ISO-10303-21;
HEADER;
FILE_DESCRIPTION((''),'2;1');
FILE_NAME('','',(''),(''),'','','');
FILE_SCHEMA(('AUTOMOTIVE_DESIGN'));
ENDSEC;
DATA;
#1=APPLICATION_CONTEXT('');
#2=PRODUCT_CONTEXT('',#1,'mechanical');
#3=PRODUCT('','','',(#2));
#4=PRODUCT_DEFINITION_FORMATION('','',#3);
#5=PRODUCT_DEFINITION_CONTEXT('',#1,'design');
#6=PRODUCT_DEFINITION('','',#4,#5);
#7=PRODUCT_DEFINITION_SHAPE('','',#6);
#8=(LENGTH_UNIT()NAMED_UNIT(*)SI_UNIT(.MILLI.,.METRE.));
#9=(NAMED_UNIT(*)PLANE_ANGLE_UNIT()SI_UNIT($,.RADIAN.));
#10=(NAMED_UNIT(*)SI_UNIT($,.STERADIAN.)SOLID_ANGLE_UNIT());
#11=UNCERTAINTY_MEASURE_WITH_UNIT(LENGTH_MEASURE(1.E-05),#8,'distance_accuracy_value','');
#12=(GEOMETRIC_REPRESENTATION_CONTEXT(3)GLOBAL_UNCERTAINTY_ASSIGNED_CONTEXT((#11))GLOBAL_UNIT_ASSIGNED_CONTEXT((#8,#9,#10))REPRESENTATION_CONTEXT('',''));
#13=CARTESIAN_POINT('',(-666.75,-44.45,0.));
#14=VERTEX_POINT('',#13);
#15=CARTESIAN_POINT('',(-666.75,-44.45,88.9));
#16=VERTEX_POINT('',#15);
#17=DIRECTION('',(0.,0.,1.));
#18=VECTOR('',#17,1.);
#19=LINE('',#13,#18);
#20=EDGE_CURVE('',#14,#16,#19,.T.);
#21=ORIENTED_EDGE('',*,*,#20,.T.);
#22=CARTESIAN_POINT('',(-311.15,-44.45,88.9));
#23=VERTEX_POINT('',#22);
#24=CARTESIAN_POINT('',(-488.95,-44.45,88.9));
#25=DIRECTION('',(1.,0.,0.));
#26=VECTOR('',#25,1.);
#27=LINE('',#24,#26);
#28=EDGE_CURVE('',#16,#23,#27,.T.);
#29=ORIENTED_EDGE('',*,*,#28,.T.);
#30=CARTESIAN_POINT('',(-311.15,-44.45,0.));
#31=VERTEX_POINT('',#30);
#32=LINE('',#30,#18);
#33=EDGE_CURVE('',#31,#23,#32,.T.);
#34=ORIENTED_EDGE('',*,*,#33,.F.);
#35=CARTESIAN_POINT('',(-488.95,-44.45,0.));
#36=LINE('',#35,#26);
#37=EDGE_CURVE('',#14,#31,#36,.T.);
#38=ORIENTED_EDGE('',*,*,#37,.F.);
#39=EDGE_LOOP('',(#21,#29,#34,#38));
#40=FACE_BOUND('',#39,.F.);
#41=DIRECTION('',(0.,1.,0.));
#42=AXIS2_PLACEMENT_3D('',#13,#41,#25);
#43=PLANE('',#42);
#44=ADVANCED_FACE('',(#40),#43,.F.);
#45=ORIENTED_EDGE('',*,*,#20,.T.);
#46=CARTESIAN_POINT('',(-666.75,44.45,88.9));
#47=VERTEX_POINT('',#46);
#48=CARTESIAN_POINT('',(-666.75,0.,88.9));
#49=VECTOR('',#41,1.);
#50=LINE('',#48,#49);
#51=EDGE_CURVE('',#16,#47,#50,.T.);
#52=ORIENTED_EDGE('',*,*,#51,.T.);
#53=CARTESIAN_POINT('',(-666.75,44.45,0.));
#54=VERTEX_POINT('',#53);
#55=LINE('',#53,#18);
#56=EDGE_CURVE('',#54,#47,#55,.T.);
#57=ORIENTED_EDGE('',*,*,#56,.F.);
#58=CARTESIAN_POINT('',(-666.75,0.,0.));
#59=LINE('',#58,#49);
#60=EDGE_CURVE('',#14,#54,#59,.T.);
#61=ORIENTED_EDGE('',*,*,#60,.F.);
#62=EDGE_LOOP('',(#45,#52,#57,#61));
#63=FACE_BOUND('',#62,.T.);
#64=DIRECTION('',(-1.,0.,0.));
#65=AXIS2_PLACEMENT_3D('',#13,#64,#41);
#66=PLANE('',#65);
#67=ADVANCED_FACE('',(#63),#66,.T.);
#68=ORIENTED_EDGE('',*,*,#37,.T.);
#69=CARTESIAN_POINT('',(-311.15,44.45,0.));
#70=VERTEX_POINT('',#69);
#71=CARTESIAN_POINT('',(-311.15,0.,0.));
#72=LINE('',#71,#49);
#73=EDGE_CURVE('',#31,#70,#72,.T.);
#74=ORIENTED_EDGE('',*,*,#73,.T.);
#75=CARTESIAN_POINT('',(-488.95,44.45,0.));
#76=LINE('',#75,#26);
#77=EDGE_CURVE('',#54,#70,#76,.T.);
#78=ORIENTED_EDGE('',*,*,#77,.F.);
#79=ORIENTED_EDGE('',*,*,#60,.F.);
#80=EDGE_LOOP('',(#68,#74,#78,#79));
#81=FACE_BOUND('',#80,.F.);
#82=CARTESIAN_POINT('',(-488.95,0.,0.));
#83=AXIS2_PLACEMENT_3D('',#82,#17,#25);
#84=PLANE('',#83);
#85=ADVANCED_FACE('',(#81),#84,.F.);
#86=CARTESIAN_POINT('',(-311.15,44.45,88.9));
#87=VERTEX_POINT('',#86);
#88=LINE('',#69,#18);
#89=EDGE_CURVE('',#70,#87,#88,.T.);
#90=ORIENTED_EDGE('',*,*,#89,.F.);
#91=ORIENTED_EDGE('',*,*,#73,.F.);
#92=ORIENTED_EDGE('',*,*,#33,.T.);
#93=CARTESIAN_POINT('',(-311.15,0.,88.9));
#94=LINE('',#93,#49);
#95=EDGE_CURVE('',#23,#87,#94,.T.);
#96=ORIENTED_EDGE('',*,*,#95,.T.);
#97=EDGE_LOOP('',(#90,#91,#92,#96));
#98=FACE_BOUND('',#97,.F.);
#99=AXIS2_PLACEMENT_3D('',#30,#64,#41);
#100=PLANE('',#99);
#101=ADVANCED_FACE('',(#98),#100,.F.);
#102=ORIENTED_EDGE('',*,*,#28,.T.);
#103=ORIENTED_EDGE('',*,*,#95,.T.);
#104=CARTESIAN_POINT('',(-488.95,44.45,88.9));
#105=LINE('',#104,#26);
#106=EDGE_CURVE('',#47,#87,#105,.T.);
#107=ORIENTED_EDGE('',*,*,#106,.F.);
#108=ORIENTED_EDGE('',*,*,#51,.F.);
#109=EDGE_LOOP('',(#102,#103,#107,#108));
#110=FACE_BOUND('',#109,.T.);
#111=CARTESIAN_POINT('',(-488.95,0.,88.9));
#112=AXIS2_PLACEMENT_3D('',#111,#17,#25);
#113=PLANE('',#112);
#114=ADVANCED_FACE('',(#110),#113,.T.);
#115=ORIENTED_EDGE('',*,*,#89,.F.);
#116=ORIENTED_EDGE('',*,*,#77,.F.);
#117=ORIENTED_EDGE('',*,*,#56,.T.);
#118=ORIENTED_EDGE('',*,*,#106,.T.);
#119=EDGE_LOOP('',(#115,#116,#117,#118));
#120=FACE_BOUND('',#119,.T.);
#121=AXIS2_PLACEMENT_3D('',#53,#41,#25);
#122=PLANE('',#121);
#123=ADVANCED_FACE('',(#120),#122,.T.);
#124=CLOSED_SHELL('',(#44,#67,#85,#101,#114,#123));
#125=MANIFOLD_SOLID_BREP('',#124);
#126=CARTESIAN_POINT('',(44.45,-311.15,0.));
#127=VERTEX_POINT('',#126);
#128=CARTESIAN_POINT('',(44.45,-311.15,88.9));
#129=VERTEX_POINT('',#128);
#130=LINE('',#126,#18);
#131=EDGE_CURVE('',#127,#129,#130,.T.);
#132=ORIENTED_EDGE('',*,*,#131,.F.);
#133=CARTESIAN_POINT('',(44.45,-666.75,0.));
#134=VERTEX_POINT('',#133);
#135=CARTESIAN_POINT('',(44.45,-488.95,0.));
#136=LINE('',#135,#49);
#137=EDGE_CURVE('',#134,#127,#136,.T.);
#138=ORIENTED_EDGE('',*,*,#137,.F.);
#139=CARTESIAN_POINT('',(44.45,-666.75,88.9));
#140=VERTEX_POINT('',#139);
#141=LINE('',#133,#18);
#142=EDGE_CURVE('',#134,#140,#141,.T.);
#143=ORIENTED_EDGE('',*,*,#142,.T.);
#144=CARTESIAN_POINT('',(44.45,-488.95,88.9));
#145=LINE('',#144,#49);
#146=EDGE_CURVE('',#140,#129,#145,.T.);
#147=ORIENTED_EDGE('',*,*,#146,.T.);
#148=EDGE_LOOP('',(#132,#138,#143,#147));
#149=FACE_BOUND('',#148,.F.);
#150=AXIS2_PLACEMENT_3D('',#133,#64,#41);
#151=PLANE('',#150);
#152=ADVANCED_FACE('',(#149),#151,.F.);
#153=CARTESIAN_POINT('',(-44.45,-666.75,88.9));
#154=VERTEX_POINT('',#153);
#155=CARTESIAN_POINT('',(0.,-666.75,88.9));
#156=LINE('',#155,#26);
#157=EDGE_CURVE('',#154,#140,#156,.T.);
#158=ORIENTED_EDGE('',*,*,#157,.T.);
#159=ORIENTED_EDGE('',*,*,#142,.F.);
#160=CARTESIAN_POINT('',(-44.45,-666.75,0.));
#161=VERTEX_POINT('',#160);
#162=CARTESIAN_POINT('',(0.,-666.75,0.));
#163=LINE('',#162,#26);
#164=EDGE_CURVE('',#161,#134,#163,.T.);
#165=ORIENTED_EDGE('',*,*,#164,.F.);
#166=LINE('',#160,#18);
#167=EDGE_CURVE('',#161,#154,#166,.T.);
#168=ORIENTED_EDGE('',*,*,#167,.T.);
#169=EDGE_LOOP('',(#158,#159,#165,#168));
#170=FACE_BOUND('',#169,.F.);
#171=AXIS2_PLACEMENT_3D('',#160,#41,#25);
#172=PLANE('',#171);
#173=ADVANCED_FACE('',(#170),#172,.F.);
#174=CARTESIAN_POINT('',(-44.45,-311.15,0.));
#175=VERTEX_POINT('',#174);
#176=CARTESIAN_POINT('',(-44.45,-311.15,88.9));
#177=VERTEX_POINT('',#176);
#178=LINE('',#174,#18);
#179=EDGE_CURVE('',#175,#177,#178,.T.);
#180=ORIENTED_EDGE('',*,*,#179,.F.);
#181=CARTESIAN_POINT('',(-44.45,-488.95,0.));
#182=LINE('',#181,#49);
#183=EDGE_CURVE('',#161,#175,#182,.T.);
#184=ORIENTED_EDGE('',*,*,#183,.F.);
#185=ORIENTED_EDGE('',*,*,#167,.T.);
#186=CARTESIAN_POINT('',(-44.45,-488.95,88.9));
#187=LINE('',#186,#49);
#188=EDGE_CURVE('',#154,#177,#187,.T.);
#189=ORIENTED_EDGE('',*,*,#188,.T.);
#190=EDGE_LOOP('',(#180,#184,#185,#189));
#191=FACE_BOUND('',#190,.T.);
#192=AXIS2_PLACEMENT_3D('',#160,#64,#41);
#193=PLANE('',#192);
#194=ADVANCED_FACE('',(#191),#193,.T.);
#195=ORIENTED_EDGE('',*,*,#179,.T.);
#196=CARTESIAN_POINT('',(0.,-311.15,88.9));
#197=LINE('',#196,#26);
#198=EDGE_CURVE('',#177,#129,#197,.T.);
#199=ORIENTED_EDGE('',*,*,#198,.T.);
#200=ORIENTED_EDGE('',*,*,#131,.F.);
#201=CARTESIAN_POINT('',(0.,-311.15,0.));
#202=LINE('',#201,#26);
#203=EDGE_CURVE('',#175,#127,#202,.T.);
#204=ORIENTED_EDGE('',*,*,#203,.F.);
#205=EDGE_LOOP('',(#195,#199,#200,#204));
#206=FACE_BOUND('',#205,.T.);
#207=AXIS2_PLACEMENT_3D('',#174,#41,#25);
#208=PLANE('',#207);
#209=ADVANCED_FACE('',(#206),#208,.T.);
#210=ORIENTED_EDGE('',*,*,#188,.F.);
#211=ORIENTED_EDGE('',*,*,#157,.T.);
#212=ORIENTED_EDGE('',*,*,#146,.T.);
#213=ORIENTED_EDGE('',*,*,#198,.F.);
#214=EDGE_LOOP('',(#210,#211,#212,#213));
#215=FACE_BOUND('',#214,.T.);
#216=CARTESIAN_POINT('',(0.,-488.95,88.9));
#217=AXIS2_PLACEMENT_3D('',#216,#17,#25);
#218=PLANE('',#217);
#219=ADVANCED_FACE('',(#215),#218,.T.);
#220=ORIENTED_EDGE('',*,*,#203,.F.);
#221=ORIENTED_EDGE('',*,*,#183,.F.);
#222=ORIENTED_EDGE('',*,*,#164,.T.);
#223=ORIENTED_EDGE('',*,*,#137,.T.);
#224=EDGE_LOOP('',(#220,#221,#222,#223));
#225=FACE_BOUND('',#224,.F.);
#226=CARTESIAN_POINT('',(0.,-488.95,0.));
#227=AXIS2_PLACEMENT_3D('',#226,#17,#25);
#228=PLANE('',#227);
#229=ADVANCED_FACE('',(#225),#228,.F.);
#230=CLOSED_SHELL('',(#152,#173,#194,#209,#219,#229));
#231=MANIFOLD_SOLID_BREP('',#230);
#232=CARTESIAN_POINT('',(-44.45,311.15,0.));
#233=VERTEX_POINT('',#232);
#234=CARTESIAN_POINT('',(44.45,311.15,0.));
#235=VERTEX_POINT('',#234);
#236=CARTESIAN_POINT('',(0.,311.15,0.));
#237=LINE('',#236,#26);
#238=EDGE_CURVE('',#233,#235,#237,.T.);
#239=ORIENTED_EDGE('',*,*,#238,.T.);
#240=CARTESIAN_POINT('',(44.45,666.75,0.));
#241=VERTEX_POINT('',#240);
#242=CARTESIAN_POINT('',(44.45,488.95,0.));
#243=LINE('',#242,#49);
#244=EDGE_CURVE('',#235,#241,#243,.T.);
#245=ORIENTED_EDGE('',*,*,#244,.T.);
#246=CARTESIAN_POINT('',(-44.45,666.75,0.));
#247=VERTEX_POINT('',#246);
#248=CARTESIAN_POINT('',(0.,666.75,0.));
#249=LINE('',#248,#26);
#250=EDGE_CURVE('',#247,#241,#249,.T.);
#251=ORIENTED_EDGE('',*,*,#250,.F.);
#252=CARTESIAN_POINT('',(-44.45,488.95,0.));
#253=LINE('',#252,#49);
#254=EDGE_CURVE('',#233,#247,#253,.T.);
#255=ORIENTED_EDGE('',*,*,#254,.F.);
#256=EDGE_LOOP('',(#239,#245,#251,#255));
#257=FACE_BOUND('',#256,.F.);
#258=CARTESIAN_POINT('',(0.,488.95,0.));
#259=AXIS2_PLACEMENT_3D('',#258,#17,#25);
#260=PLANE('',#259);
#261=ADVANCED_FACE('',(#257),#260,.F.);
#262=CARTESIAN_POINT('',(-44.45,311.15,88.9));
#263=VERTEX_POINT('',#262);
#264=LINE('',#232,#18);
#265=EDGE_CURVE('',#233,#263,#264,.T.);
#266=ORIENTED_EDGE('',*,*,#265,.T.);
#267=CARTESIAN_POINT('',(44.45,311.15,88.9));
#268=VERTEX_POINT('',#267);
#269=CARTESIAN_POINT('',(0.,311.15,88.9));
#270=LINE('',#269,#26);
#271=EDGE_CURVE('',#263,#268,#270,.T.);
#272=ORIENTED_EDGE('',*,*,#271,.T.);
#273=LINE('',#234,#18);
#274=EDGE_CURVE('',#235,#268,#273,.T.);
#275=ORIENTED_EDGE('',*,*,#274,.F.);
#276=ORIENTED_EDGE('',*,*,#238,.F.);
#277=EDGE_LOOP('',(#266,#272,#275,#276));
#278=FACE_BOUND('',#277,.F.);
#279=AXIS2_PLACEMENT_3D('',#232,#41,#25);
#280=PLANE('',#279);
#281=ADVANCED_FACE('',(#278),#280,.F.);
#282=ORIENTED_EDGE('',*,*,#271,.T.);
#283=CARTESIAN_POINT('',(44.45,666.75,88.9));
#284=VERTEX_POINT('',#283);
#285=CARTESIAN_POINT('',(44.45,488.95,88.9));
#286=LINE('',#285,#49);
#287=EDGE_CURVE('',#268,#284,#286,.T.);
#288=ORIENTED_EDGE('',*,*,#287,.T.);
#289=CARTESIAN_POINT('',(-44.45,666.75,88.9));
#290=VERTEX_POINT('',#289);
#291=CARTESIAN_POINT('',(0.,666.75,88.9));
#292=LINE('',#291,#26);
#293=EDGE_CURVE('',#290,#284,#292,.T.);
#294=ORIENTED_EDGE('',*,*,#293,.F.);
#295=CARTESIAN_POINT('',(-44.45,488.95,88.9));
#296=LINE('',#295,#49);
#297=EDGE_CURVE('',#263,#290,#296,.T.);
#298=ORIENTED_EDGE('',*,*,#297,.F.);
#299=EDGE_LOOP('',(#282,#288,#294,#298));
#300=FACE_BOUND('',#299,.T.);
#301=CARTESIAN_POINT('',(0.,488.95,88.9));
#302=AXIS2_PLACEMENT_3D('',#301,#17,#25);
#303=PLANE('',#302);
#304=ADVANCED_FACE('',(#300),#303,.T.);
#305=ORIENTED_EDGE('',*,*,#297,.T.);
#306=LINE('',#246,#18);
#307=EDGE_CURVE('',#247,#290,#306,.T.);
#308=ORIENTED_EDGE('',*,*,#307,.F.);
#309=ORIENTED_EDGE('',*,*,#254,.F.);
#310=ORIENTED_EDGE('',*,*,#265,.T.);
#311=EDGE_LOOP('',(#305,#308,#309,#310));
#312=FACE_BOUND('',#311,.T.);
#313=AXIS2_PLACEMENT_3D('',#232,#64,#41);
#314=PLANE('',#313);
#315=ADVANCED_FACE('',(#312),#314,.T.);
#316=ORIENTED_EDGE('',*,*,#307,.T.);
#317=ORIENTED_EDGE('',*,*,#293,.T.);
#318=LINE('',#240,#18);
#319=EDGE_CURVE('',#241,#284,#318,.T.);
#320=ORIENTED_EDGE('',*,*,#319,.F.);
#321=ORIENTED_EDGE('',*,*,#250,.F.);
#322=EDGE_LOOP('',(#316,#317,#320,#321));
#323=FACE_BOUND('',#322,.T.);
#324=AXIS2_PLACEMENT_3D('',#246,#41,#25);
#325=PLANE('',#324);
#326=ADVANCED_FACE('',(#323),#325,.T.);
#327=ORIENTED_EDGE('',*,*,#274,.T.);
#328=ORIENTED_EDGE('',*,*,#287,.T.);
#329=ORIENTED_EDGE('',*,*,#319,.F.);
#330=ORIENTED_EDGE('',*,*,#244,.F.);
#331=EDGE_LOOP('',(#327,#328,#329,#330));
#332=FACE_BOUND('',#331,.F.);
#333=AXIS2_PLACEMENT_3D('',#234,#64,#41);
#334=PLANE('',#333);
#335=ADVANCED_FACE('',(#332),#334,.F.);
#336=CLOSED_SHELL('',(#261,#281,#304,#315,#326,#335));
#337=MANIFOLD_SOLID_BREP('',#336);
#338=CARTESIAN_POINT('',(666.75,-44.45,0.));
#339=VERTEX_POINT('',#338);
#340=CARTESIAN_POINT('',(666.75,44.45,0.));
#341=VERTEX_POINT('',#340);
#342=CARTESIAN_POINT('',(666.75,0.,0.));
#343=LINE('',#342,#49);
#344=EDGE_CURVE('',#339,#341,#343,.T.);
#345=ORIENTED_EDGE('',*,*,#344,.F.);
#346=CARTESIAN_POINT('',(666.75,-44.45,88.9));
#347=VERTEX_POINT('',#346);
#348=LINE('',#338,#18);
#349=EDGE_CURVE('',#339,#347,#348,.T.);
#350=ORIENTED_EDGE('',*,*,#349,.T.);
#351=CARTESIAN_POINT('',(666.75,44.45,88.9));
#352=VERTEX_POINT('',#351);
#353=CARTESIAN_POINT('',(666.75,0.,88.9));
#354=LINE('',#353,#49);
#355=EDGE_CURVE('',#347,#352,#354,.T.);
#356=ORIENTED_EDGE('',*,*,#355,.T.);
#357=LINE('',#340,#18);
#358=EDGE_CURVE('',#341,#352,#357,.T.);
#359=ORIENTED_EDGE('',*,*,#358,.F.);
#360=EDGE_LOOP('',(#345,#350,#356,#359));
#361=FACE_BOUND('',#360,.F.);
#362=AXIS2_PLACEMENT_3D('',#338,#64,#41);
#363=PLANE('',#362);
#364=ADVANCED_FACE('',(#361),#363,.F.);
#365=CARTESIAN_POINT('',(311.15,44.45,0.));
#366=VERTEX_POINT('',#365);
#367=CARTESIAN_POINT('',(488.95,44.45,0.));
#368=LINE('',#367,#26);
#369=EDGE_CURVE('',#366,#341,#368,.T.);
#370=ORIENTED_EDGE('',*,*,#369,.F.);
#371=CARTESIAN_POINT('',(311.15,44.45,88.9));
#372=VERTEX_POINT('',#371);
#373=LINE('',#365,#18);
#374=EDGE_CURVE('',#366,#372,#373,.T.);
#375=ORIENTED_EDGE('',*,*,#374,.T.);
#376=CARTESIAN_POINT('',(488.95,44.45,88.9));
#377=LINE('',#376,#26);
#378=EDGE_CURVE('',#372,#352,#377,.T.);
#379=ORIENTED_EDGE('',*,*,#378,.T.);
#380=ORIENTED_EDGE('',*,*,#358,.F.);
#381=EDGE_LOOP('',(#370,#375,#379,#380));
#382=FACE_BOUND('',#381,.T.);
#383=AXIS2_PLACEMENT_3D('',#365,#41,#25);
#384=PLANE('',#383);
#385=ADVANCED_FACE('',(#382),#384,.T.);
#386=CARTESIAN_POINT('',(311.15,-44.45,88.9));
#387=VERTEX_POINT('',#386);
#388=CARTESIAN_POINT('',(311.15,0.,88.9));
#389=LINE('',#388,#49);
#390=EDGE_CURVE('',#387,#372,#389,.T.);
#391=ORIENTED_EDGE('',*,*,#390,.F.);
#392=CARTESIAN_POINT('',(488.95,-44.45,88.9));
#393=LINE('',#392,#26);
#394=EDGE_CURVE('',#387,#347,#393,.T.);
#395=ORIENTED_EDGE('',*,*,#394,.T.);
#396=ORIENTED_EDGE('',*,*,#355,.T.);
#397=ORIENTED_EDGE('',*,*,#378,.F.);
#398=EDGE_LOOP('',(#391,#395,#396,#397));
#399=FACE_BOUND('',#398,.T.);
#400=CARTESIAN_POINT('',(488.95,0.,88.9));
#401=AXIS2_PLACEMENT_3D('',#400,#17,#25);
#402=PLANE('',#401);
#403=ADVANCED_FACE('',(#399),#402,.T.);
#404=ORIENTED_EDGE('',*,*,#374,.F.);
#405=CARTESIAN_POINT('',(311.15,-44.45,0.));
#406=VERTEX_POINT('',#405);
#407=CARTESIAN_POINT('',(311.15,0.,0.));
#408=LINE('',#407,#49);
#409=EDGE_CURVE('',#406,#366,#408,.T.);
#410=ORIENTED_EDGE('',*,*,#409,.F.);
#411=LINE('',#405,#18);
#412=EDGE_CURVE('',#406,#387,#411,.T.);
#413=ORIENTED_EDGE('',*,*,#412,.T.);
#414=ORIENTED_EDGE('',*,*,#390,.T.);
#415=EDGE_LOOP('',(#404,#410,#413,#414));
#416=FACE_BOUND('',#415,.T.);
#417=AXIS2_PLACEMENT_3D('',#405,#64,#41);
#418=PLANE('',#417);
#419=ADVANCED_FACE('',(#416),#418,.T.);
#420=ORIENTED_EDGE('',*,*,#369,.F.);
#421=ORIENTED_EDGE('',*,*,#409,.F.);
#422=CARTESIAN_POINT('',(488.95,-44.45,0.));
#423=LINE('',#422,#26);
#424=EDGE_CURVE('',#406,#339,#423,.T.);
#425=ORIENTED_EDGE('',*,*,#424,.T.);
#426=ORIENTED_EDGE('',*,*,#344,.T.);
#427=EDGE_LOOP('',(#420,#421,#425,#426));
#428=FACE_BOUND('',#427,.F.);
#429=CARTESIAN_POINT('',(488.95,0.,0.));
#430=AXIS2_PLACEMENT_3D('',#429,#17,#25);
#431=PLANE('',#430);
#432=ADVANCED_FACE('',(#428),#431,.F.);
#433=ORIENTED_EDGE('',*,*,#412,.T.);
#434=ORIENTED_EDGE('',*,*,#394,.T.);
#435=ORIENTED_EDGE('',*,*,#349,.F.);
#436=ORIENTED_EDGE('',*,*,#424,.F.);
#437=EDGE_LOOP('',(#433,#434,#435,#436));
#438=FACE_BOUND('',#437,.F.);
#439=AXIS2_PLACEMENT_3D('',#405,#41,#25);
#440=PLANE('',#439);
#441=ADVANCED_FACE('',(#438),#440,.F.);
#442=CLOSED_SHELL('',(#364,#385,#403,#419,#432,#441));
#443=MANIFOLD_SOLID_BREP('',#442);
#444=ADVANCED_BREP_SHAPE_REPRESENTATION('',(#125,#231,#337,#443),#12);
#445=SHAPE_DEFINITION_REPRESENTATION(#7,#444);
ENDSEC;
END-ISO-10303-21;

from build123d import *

# Parameters (mm, degrees)
F0_W     = 355.6
F0_H     = 88.9
F0_W_2   = 88.9
F0_H_2   = 355.6
F1_DEPTH = 88.9


with BuildPart() as f1:
    # F0 (on Top) → F1 (new body)
    with BuildSketch(Plane.XY):
        with Locations((-488.95, 0)):
            Rectangle(F0_W, F0_H)
        with Locations((0, 488.95)):
            Rectangle(F0_W_2, F0_H_2)
        with Locations((488.95, 0)):
            Rectangle(F0_W, F0_H)
        with Locations((0, -488.95)):
            Rectangle(F0_W_2, F0_H_2)
    extrude(amount=F1_DEPTH)


solid = f1.part
